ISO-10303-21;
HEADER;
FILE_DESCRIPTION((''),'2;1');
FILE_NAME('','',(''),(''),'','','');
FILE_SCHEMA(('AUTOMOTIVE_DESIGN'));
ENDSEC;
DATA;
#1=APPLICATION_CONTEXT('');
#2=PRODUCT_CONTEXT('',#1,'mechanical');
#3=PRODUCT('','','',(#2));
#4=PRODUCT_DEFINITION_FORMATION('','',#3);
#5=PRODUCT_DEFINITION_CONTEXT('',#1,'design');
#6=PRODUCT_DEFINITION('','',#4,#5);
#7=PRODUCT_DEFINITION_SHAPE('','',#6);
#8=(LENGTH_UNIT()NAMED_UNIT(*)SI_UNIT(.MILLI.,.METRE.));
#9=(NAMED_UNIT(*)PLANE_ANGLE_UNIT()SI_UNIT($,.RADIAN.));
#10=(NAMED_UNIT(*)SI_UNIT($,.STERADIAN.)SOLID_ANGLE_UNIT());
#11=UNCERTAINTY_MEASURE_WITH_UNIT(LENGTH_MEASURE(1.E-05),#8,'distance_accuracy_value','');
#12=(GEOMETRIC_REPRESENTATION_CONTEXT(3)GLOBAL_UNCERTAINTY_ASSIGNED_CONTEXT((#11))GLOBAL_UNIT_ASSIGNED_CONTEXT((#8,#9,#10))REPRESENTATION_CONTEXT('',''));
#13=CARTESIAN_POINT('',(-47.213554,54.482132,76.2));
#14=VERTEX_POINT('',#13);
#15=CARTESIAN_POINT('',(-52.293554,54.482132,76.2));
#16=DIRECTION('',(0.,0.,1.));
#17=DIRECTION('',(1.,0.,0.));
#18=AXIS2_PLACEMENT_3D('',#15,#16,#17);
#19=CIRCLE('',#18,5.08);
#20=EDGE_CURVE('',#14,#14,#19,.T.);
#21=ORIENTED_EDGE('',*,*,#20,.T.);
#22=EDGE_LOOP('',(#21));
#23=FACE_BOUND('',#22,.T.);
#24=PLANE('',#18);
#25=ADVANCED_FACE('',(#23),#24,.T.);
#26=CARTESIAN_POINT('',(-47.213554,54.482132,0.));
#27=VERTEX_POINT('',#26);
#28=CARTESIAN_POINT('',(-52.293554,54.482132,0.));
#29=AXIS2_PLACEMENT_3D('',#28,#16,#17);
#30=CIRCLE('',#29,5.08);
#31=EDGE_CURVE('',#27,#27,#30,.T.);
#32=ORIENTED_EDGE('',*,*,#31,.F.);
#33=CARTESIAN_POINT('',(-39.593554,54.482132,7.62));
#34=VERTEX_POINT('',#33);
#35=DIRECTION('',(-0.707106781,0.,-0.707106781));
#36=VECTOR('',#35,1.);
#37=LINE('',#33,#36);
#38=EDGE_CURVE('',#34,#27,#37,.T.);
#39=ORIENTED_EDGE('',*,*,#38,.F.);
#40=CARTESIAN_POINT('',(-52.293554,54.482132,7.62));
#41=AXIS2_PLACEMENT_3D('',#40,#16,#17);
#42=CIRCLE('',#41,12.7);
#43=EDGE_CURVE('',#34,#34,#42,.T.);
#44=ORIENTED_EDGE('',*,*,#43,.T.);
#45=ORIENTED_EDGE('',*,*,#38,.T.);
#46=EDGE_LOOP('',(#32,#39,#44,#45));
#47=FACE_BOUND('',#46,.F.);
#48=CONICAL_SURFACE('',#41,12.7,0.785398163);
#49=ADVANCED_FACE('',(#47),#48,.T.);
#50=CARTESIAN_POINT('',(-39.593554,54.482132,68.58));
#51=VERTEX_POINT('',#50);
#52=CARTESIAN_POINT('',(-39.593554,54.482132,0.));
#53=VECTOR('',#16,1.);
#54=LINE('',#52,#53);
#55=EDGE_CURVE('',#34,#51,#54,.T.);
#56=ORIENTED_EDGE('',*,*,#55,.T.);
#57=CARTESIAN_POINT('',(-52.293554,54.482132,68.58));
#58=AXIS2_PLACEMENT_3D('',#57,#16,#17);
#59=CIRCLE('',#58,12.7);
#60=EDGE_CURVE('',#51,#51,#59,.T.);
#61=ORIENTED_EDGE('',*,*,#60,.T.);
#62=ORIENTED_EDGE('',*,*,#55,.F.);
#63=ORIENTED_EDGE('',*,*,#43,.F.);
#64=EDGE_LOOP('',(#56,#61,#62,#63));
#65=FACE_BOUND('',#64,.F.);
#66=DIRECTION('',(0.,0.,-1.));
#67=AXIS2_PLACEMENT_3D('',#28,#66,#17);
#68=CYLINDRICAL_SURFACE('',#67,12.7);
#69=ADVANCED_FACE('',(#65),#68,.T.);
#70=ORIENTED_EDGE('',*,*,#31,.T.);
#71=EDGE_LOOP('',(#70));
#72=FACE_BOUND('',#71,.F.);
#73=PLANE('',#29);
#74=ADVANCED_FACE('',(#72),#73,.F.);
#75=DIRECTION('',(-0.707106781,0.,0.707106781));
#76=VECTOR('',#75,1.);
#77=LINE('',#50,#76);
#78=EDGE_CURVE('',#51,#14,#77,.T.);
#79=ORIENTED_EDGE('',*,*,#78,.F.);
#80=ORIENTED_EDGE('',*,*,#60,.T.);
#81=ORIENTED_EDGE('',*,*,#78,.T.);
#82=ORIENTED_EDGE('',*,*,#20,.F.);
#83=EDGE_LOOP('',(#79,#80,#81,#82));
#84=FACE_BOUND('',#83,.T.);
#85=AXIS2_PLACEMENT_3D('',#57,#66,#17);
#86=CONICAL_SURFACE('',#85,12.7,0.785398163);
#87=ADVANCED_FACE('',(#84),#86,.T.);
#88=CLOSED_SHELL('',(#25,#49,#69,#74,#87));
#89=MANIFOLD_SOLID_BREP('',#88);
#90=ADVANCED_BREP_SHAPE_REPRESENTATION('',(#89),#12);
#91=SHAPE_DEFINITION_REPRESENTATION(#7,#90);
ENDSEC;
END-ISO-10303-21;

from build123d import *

# Parameters (mm, degrees)
F0_R     = 12.7
F1_DEPTH = 76.2
F2_SIZE  = 7.62
F3_SIZE  = 7.62


with BuildPart() as f1:
    # F0 (on Top) → F1 (new body)
    with BuildSketch(Plane.XY):
        with Locations((-52.293554, 54.482132)):
            Circle(F0_R)
    extrude(amount=F1_DEPTH)

    # F2
    f2_edges = [f1.edges().sort_by_distance(p)[0] for p in [
        (-64.993554, 54.482132, 76.2),
    ]]
    chamfer(f2_edges, length=F2_SIZE)

    # F3
    f3_edges = [f1.edges().sort_by_distance(p)[0] for p in [
        (-64.993554, 54.482132, 0),
    ]]
    chamfer(f3_edges, length=F3_SIZE)


solid = f1.part
